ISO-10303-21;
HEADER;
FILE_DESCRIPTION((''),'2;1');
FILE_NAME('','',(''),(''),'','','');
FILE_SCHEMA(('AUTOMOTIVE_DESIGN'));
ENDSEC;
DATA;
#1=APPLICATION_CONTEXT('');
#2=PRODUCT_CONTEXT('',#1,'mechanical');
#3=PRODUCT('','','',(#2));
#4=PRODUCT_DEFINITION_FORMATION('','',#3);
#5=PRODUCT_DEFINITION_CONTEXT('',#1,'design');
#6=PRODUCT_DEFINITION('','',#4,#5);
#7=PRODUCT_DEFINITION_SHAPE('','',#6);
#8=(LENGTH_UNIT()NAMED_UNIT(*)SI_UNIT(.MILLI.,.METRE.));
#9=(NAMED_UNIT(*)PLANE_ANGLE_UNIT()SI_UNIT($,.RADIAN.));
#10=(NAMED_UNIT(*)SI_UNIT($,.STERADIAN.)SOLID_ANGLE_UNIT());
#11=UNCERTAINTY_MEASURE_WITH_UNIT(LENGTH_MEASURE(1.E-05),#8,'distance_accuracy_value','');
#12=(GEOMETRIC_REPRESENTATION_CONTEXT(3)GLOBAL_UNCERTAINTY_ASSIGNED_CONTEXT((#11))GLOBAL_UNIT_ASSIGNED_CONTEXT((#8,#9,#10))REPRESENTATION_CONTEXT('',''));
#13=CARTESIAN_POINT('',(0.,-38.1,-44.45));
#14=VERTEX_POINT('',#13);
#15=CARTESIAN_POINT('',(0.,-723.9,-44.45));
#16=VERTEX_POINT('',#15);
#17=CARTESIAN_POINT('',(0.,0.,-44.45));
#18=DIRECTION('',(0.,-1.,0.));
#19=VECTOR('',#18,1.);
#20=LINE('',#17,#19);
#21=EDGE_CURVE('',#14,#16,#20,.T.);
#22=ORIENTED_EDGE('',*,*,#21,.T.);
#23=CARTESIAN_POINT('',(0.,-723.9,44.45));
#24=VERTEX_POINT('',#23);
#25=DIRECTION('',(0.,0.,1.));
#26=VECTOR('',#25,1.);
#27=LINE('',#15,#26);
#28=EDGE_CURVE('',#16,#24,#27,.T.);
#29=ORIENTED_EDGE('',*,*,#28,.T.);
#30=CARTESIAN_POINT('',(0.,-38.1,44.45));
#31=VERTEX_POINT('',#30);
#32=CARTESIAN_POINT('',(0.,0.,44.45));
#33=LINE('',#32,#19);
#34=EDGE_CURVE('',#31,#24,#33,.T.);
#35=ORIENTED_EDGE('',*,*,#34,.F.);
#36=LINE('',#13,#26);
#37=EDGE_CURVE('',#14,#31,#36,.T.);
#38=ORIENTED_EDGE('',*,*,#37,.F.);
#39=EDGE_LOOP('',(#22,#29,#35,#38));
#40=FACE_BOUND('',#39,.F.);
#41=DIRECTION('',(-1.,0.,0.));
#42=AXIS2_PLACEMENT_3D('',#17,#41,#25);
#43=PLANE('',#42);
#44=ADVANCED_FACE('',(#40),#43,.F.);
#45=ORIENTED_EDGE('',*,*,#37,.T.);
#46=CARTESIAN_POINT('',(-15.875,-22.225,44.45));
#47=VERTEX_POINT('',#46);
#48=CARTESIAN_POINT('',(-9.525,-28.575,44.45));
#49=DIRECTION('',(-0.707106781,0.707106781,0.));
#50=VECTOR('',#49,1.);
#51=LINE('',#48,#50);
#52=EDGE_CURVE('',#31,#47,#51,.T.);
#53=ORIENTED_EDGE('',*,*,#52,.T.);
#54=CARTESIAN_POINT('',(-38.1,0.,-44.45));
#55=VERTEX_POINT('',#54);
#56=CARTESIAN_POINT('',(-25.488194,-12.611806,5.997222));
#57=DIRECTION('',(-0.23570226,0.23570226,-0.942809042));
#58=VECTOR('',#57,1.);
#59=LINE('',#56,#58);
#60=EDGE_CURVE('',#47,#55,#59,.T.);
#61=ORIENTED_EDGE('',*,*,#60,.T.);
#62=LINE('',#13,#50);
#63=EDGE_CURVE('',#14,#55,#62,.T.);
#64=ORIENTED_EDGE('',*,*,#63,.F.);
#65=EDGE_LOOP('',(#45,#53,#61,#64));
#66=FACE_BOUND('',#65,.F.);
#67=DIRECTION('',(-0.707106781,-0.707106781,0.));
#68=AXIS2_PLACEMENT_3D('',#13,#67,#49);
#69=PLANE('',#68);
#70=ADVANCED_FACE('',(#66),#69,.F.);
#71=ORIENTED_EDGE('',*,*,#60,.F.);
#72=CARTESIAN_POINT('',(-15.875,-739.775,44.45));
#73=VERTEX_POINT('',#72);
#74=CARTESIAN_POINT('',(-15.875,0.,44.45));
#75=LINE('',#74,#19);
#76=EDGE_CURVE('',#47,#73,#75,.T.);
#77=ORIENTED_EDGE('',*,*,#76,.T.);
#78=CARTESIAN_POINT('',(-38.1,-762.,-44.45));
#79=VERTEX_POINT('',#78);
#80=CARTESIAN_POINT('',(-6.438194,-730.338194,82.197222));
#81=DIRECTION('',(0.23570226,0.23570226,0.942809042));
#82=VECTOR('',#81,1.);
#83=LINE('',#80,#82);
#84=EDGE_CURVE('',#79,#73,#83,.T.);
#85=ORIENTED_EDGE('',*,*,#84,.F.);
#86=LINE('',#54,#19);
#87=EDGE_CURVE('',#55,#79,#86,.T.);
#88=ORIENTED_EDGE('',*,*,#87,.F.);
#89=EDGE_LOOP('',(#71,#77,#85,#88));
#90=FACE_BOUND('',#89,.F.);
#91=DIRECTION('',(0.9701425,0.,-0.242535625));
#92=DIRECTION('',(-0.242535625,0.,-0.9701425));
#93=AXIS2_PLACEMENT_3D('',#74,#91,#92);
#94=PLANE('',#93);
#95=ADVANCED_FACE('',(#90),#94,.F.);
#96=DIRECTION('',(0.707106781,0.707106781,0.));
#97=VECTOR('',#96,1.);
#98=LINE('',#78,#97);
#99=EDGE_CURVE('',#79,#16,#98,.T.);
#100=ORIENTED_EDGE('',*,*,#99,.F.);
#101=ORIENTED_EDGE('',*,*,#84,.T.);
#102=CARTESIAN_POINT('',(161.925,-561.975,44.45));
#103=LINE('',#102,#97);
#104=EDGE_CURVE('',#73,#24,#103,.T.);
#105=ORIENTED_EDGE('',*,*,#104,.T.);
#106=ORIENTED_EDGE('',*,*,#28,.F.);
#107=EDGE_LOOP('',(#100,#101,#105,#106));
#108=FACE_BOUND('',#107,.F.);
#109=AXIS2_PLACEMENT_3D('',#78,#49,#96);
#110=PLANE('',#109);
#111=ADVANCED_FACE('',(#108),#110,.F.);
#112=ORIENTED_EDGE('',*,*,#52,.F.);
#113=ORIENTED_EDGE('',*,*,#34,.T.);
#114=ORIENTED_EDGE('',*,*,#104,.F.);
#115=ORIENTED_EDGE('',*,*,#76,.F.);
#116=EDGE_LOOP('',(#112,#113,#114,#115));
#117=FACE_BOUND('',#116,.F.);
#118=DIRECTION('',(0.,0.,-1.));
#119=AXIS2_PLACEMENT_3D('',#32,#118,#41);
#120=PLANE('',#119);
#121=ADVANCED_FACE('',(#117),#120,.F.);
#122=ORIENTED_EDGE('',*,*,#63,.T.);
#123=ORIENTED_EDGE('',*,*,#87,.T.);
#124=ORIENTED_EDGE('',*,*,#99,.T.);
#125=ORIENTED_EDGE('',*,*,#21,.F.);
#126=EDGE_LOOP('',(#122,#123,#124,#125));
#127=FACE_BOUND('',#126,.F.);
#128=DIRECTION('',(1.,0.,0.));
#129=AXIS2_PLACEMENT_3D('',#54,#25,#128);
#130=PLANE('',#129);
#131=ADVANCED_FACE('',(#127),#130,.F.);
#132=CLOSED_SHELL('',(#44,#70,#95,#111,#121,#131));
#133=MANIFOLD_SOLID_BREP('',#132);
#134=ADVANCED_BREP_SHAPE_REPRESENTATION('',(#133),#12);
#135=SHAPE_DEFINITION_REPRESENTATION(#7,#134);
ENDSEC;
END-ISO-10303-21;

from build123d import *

# Parameters (mm, degrees)
F1_DEPTH = 762
F3_DEPTH = 101.6


with BuildPart() as f1:
    # F0 (on Front) → F1 (new body)
    with BuildSketch(Plane.XZ):
        Polygon((0, -44.45), (0, 44.45), (-15.875, 44.45), (-38.1, -44.45), align=None)
    extrude(amount=F1_DEPTH)

    # F2 (on face) → F3 (cut)
    with BuildSketch(Plane(origin=(0, 0, -44.45), x_dir=(1, 0, 0), z_dir=(0, 0, -1))):
        Polygon((0, 762), (-38.1, 762), (0, 723.9), align=None)
        Polygon((0, 38.1), (-38.1, 0), (0, 0), align=None)
    extrude(amount=-F3_DEPTH, mode=Mode.SUBTRACT)


solid = f1.part
